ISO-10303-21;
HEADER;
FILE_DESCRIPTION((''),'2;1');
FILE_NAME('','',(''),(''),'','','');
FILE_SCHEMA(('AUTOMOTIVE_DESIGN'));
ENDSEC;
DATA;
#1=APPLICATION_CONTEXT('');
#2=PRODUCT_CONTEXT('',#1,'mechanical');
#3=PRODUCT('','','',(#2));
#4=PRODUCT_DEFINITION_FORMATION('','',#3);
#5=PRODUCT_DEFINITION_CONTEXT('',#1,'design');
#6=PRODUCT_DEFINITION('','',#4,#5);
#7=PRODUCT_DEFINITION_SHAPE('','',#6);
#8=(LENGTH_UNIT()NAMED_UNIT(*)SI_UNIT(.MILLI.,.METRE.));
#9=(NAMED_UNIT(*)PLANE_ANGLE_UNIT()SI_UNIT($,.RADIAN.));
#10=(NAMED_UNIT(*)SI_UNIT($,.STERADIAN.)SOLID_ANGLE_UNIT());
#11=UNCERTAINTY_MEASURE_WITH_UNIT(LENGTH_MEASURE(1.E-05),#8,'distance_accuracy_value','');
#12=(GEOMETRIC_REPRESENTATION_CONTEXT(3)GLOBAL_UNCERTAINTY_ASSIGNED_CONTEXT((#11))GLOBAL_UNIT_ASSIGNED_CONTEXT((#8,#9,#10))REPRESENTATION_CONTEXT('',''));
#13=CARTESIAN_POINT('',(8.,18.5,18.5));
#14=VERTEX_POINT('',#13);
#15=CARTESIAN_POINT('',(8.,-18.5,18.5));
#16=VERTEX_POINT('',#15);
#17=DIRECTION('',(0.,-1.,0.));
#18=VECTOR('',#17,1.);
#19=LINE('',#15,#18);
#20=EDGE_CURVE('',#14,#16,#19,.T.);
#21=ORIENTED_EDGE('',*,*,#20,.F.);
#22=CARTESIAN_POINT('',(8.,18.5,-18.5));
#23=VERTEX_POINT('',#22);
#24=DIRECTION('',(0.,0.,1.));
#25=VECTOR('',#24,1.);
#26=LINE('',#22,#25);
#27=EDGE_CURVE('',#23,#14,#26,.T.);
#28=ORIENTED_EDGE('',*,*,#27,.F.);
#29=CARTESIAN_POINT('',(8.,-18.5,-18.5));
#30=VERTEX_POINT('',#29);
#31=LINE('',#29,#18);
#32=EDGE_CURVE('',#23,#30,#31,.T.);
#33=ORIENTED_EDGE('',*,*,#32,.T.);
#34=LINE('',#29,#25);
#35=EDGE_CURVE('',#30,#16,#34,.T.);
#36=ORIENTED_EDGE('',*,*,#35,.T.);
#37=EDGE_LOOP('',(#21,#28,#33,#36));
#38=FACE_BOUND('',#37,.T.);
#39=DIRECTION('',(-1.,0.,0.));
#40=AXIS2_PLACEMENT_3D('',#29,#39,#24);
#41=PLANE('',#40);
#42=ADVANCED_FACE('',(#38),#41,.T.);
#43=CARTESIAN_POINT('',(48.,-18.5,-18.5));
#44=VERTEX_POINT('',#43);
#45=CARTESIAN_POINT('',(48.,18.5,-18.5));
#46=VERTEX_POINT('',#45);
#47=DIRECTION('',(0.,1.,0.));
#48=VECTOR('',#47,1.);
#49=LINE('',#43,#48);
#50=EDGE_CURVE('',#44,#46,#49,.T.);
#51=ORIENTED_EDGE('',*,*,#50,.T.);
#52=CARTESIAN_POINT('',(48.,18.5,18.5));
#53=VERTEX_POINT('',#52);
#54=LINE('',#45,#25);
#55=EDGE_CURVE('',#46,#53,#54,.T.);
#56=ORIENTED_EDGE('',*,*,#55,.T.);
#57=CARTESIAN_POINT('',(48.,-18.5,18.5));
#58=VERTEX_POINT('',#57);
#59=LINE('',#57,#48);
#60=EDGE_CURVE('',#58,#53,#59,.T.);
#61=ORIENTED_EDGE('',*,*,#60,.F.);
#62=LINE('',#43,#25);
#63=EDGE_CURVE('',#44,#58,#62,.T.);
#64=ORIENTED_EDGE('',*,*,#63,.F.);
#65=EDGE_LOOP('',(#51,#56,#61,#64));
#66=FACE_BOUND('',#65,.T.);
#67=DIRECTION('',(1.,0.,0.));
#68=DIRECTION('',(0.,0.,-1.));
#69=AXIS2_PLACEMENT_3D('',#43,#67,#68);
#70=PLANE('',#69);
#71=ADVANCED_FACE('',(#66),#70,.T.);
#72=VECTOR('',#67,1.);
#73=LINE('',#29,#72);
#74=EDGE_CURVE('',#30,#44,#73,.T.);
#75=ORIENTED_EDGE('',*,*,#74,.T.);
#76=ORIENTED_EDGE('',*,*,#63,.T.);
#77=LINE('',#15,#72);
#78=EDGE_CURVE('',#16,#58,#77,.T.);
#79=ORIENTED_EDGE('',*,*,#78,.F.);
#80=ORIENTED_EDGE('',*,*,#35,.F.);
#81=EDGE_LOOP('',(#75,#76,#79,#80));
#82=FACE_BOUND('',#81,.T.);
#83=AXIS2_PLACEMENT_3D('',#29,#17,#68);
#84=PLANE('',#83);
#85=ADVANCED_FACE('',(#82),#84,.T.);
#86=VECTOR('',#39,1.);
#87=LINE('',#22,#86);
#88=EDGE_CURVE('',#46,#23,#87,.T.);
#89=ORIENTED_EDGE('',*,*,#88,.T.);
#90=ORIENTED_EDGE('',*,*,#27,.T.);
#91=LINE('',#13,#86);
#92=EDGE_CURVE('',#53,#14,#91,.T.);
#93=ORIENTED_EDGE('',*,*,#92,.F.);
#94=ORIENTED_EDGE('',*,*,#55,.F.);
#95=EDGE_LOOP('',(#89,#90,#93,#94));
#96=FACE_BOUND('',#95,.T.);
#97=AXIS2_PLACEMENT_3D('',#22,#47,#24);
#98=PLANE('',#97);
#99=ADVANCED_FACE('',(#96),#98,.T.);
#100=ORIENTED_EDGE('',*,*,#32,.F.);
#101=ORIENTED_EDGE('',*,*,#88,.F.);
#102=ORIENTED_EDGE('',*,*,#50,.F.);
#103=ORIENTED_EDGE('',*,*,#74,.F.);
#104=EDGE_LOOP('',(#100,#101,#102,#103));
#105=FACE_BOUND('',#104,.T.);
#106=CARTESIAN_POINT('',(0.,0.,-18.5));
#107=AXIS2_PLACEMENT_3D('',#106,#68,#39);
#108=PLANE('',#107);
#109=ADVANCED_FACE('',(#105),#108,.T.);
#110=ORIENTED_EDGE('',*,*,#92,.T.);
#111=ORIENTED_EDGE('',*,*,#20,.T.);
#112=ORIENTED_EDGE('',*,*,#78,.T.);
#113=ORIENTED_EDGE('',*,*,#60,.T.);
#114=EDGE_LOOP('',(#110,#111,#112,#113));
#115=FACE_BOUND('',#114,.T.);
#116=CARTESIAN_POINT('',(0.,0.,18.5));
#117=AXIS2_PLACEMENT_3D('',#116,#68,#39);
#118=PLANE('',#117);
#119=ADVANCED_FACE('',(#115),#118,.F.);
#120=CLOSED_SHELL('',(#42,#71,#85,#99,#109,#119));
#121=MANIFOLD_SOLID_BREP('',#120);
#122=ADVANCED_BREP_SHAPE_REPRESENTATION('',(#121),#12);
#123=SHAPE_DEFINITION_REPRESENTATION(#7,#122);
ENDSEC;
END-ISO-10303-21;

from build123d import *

# Parameters (mm, degrees)
MTG_REDUKTOR_GOVDE_37X37X40_1_START = 18.5
SKETCH1_W                           = 40
SKETCH1_H                           = 37
MTG_REDUKTOR_GOVDE_37X37X40_1_DEPTH = 37


with BuildPart() as part:
    # Sketch1 → MTG_reduktor_govde_37x37x40_1 (new body)
    with BuildSketch(Plane.XY.offset(MTG_REDUKTOR_GOVDE_37X37X40_1_START)):
        with Locations((28, 0)):
            Rectangle(SKETCH1_W, SKETCH1_H)
    extrude(amount=-MTG_REDUKTOR_GOVDE_37X37X40_1_DEPTH)


solid = part.part
